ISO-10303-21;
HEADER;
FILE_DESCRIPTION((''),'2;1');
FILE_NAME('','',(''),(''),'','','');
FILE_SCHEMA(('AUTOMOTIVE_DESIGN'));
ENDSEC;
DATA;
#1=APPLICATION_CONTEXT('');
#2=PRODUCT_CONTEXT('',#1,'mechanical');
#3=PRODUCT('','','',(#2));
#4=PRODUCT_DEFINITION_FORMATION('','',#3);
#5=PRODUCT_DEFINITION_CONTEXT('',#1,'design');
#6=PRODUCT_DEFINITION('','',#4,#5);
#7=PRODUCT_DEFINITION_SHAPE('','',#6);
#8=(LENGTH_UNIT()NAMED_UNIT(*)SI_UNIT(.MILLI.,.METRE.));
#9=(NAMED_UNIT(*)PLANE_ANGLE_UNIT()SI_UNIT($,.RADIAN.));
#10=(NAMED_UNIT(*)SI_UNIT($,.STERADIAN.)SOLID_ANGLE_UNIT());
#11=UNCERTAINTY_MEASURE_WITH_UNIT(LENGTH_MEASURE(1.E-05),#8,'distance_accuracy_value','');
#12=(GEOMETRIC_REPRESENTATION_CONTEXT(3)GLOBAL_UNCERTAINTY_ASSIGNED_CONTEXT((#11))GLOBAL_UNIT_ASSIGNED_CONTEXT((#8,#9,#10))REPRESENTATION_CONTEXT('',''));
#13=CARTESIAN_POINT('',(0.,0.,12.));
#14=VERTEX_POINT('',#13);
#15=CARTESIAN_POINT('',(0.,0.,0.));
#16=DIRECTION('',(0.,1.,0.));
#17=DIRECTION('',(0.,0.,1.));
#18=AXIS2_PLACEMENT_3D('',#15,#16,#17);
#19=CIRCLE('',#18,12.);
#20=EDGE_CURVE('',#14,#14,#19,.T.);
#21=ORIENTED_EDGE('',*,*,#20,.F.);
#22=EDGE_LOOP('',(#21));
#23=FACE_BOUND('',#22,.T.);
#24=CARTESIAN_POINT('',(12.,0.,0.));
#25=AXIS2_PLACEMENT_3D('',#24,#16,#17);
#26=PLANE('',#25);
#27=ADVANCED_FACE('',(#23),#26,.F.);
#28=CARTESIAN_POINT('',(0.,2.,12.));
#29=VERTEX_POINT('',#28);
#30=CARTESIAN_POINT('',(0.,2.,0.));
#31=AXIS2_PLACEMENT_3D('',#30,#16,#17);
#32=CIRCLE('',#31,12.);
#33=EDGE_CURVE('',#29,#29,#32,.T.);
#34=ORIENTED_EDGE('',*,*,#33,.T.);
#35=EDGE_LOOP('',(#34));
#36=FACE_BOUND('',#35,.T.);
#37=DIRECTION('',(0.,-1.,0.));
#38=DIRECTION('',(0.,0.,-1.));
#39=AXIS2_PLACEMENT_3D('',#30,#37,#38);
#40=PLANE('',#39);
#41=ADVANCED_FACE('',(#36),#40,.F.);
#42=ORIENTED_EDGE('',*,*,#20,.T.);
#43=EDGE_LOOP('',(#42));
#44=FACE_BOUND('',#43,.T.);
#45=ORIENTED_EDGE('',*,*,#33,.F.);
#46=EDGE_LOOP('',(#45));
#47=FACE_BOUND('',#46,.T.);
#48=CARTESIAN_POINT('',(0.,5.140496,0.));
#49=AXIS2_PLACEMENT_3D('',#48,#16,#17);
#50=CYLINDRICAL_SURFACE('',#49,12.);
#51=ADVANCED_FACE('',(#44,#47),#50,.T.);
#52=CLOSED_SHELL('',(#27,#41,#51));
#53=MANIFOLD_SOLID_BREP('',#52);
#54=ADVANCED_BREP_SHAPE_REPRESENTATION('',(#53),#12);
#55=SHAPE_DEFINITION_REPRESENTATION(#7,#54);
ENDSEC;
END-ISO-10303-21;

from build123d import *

# Parameters (mm, degrees)
ESQUISSE1_W = 12
ESQUISSE1_H = 2


with BuildPart() as part:
    # Esquisse1 → Révolution1 (revolve)
    with BuildSketch(Plane.XY, mode=Mode.PRIVATE) as r_volution1_sk:
        with Locations((6, 1)):
            Rectangle(ESQUISSE1_W, ESQUISSE1_H)
    revolve(r_volution1_sk.sketch.rotate(Axis((0, 5.140495868, 0), (0, -1, 0)), 90), axis=Axis((0, 5.140495868, 0), (0, -1, 0)))  # turned: the seam where the file's is


solid = part.part
